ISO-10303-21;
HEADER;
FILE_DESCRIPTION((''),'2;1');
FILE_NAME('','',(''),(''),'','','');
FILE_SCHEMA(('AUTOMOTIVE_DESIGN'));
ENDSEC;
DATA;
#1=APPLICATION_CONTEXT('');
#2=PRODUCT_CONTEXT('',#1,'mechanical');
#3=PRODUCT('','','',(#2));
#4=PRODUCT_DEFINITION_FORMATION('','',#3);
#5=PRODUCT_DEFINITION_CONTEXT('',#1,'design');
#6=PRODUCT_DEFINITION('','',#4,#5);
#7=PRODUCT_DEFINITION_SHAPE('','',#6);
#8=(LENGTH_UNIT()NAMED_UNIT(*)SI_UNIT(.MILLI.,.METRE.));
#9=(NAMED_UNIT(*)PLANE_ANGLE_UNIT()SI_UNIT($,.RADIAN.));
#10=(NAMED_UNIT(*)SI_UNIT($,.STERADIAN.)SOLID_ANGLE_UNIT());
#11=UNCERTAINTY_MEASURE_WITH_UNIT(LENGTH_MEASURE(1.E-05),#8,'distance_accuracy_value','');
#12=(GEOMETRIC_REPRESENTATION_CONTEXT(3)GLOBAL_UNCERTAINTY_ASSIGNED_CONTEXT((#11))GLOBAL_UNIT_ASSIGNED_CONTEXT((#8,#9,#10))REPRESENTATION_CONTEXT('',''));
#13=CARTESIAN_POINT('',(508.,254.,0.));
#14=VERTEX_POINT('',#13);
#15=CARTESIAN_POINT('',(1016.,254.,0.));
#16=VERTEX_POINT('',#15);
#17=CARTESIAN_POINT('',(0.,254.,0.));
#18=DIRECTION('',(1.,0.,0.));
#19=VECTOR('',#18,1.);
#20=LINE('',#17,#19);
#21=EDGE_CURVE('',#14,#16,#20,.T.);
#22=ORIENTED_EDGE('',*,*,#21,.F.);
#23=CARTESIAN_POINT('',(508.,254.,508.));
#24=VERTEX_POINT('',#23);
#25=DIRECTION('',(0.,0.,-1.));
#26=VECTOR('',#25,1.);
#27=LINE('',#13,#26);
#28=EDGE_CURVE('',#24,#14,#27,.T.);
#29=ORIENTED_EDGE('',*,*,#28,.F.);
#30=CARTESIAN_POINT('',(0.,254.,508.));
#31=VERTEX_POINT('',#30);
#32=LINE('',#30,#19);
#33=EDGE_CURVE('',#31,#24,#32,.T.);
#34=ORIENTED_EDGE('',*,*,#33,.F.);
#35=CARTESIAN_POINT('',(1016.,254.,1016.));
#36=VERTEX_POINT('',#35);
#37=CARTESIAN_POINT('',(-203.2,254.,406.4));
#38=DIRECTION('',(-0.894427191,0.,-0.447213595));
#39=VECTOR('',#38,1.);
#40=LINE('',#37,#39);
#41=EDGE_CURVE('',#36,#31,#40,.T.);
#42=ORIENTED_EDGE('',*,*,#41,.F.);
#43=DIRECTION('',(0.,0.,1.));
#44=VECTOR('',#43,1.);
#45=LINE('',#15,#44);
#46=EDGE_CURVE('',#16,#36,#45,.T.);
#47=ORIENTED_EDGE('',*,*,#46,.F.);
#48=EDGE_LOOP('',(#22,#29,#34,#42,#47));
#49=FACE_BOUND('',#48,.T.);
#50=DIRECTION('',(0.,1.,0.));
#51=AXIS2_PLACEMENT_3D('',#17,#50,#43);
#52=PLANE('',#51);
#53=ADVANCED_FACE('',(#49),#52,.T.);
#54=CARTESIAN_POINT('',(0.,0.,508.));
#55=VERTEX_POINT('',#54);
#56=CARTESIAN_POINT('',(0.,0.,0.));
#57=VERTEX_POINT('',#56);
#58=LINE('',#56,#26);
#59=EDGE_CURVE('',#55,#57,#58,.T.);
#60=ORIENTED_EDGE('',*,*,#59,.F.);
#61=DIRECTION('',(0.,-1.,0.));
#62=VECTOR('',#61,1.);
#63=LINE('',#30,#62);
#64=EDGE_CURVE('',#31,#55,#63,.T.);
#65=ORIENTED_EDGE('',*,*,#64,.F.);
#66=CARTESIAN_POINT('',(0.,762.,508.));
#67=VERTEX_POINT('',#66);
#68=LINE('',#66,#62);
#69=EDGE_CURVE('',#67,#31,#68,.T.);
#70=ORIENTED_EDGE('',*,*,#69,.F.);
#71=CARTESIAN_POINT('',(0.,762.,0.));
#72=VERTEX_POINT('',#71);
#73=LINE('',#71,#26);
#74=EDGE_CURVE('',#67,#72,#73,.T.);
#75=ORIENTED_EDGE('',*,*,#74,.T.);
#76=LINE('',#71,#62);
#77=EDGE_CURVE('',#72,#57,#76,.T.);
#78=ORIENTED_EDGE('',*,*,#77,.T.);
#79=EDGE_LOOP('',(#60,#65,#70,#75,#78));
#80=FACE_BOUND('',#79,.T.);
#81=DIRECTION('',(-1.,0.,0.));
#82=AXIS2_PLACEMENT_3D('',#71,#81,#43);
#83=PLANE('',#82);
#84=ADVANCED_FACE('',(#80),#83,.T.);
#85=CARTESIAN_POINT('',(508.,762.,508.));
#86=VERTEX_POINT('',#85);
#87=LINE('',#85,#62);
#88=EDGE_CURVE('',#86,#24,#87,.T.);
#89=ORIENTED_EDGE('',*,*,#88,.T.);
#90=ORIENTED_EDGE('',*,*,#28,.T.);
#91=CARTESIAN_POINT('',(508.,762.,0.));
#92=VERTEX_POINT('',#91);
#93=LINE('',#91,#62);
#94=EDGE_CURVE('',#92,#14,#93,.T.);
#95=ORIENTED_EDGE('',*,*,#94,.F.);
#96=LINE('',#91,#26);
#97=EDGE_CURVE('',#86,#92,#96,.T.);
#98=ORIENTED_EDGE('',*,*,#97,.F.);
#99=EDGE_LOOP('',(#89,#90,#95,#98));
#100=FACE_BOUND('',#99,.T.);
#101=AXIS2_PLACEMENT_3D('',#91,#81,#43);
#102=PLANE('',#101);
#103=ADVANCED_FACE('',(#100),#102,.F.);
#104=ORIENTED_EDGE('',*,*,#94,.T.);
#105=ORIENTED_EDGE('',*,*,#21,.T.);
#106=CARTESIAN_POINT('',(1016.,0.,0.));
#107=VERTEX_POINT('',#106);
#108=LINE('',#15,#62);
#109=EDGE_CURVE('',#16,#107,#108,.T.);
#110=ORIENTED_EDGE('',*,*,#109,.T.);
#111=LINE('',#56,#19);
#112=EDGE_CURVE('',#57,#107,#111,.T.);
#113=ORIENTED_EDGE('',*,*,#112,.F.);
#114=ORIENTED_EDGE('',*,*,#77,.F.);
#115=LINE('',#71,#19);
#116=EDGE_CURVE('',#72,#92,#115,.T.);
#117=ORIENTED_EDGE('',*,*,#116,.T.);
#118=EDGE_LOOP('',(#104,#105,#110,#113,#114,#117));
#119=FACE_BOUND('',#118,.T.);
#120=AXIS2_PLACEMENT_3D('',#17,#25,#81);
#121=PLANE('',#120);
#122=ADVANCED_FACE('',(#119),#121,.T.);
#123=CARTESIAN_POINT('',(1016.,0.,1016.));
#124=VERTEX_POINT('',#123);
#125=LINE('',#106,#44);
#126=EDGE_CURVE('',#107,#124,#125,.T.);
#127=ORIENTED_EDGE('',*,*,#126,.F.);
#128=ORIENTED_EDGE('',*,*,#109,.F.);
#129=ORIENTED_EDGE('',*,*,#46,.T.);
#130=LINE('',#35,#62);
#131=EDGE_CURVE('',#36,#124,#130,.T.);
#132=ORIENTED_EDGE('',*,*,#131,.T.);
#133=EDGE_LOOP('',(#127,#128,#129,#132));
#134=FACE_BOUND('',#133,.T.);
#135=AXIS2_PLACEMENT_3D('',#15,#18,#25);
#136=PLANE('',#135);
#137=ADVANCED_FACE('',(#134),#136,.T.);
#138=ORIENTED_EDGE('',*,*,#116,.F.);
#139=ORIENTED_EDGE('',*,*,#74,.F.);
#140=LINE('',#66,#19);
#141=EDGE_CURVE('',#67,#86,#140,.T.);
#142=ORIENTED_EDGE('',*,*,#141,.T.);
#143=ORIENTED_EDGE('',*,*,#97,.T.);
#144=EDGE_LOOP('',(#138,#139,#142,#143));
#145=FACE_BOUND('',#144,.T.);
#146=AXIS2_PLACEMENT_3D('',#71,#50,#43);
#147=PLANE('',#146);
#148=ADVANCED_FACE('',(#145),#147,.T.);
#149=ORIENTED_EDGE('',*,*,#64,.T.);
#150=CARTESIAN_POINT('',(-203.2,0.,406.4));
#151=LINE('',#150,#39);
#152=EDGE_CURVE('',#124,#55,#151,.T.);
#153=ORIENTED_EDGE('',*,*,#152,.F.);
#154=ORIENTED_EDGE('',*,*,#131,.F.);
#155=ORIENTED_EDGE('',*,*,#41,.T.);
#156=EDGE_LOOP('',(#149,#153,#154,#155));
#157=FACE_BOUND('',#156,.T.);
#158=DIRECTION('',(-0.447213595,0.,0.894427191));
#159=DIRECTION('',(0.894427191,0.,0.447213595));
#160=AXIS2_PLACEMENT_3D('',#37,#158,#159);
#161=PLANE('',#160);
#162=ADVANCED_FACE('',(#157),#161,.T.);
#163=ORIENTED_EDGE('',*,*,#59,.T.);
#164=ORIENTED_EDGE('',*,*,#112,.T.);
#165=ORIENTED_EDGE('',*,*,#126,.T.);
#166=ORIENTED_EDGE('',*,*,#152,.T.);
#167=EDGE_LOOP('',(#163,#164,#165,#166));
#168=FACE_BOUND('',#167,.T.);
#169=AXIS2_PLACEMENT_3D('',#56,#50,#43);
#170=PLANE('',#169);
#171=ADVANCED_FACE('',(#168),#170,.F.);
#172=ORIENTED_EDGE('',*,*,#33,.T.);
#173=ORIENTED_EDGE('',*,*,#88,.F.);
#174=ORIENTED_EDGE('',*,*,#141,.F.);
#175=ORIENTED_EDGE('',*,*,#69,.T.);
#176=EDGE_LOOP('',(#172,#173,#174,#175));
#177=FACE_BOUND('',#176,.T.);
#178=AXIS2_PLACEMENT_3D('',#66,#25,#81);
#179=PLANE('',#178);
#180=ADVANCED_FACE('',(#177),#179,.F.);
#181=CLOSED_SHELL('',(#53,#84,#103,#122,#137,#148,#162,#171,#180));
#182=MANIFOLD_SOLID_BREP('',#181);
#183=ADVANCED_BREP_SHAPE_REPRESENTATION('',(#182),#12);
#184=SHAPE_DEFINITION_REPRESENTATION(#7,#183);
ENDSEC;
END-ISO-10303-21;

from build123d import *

# Parameters (mm, degrees)
BOSS_EXTRUDE2_DEPTH = 254
SKETCH3_3_W         = 508
SKETCH3_3_H         = 508
BOSS_EXTRUDE3_DEPTH = 762


with BuildPart() as part:
    # Sketch3 → Boss-Extrude2 (new body)
    with BuildSketch(Plane(origin=(0, 0, 0), x_dir=(1, 0, 0), z_dir=(0, 1, 0))):
        Polygon((1016, 0), (508, 0), (508, -508), (0, -508), (1016, -1016), align=None)
    extrude(amount=BOSS_EXTRUDE2_DEPTH)

    # Sketch3<3> → Boss-Extrude3 (add)
    with BuildSketch(Plane(origin=(0, 0, 0), x_dir=(1, 0, 0), z_dir=(0, 1, 0))):
        with Locations((254, -254)):
            Rectangle(SKETCH3_3_W, SKETCH3_3_H)
    extrude(amount=BOSS_EXTRUDE3_DEPTH)


solid = part.part
